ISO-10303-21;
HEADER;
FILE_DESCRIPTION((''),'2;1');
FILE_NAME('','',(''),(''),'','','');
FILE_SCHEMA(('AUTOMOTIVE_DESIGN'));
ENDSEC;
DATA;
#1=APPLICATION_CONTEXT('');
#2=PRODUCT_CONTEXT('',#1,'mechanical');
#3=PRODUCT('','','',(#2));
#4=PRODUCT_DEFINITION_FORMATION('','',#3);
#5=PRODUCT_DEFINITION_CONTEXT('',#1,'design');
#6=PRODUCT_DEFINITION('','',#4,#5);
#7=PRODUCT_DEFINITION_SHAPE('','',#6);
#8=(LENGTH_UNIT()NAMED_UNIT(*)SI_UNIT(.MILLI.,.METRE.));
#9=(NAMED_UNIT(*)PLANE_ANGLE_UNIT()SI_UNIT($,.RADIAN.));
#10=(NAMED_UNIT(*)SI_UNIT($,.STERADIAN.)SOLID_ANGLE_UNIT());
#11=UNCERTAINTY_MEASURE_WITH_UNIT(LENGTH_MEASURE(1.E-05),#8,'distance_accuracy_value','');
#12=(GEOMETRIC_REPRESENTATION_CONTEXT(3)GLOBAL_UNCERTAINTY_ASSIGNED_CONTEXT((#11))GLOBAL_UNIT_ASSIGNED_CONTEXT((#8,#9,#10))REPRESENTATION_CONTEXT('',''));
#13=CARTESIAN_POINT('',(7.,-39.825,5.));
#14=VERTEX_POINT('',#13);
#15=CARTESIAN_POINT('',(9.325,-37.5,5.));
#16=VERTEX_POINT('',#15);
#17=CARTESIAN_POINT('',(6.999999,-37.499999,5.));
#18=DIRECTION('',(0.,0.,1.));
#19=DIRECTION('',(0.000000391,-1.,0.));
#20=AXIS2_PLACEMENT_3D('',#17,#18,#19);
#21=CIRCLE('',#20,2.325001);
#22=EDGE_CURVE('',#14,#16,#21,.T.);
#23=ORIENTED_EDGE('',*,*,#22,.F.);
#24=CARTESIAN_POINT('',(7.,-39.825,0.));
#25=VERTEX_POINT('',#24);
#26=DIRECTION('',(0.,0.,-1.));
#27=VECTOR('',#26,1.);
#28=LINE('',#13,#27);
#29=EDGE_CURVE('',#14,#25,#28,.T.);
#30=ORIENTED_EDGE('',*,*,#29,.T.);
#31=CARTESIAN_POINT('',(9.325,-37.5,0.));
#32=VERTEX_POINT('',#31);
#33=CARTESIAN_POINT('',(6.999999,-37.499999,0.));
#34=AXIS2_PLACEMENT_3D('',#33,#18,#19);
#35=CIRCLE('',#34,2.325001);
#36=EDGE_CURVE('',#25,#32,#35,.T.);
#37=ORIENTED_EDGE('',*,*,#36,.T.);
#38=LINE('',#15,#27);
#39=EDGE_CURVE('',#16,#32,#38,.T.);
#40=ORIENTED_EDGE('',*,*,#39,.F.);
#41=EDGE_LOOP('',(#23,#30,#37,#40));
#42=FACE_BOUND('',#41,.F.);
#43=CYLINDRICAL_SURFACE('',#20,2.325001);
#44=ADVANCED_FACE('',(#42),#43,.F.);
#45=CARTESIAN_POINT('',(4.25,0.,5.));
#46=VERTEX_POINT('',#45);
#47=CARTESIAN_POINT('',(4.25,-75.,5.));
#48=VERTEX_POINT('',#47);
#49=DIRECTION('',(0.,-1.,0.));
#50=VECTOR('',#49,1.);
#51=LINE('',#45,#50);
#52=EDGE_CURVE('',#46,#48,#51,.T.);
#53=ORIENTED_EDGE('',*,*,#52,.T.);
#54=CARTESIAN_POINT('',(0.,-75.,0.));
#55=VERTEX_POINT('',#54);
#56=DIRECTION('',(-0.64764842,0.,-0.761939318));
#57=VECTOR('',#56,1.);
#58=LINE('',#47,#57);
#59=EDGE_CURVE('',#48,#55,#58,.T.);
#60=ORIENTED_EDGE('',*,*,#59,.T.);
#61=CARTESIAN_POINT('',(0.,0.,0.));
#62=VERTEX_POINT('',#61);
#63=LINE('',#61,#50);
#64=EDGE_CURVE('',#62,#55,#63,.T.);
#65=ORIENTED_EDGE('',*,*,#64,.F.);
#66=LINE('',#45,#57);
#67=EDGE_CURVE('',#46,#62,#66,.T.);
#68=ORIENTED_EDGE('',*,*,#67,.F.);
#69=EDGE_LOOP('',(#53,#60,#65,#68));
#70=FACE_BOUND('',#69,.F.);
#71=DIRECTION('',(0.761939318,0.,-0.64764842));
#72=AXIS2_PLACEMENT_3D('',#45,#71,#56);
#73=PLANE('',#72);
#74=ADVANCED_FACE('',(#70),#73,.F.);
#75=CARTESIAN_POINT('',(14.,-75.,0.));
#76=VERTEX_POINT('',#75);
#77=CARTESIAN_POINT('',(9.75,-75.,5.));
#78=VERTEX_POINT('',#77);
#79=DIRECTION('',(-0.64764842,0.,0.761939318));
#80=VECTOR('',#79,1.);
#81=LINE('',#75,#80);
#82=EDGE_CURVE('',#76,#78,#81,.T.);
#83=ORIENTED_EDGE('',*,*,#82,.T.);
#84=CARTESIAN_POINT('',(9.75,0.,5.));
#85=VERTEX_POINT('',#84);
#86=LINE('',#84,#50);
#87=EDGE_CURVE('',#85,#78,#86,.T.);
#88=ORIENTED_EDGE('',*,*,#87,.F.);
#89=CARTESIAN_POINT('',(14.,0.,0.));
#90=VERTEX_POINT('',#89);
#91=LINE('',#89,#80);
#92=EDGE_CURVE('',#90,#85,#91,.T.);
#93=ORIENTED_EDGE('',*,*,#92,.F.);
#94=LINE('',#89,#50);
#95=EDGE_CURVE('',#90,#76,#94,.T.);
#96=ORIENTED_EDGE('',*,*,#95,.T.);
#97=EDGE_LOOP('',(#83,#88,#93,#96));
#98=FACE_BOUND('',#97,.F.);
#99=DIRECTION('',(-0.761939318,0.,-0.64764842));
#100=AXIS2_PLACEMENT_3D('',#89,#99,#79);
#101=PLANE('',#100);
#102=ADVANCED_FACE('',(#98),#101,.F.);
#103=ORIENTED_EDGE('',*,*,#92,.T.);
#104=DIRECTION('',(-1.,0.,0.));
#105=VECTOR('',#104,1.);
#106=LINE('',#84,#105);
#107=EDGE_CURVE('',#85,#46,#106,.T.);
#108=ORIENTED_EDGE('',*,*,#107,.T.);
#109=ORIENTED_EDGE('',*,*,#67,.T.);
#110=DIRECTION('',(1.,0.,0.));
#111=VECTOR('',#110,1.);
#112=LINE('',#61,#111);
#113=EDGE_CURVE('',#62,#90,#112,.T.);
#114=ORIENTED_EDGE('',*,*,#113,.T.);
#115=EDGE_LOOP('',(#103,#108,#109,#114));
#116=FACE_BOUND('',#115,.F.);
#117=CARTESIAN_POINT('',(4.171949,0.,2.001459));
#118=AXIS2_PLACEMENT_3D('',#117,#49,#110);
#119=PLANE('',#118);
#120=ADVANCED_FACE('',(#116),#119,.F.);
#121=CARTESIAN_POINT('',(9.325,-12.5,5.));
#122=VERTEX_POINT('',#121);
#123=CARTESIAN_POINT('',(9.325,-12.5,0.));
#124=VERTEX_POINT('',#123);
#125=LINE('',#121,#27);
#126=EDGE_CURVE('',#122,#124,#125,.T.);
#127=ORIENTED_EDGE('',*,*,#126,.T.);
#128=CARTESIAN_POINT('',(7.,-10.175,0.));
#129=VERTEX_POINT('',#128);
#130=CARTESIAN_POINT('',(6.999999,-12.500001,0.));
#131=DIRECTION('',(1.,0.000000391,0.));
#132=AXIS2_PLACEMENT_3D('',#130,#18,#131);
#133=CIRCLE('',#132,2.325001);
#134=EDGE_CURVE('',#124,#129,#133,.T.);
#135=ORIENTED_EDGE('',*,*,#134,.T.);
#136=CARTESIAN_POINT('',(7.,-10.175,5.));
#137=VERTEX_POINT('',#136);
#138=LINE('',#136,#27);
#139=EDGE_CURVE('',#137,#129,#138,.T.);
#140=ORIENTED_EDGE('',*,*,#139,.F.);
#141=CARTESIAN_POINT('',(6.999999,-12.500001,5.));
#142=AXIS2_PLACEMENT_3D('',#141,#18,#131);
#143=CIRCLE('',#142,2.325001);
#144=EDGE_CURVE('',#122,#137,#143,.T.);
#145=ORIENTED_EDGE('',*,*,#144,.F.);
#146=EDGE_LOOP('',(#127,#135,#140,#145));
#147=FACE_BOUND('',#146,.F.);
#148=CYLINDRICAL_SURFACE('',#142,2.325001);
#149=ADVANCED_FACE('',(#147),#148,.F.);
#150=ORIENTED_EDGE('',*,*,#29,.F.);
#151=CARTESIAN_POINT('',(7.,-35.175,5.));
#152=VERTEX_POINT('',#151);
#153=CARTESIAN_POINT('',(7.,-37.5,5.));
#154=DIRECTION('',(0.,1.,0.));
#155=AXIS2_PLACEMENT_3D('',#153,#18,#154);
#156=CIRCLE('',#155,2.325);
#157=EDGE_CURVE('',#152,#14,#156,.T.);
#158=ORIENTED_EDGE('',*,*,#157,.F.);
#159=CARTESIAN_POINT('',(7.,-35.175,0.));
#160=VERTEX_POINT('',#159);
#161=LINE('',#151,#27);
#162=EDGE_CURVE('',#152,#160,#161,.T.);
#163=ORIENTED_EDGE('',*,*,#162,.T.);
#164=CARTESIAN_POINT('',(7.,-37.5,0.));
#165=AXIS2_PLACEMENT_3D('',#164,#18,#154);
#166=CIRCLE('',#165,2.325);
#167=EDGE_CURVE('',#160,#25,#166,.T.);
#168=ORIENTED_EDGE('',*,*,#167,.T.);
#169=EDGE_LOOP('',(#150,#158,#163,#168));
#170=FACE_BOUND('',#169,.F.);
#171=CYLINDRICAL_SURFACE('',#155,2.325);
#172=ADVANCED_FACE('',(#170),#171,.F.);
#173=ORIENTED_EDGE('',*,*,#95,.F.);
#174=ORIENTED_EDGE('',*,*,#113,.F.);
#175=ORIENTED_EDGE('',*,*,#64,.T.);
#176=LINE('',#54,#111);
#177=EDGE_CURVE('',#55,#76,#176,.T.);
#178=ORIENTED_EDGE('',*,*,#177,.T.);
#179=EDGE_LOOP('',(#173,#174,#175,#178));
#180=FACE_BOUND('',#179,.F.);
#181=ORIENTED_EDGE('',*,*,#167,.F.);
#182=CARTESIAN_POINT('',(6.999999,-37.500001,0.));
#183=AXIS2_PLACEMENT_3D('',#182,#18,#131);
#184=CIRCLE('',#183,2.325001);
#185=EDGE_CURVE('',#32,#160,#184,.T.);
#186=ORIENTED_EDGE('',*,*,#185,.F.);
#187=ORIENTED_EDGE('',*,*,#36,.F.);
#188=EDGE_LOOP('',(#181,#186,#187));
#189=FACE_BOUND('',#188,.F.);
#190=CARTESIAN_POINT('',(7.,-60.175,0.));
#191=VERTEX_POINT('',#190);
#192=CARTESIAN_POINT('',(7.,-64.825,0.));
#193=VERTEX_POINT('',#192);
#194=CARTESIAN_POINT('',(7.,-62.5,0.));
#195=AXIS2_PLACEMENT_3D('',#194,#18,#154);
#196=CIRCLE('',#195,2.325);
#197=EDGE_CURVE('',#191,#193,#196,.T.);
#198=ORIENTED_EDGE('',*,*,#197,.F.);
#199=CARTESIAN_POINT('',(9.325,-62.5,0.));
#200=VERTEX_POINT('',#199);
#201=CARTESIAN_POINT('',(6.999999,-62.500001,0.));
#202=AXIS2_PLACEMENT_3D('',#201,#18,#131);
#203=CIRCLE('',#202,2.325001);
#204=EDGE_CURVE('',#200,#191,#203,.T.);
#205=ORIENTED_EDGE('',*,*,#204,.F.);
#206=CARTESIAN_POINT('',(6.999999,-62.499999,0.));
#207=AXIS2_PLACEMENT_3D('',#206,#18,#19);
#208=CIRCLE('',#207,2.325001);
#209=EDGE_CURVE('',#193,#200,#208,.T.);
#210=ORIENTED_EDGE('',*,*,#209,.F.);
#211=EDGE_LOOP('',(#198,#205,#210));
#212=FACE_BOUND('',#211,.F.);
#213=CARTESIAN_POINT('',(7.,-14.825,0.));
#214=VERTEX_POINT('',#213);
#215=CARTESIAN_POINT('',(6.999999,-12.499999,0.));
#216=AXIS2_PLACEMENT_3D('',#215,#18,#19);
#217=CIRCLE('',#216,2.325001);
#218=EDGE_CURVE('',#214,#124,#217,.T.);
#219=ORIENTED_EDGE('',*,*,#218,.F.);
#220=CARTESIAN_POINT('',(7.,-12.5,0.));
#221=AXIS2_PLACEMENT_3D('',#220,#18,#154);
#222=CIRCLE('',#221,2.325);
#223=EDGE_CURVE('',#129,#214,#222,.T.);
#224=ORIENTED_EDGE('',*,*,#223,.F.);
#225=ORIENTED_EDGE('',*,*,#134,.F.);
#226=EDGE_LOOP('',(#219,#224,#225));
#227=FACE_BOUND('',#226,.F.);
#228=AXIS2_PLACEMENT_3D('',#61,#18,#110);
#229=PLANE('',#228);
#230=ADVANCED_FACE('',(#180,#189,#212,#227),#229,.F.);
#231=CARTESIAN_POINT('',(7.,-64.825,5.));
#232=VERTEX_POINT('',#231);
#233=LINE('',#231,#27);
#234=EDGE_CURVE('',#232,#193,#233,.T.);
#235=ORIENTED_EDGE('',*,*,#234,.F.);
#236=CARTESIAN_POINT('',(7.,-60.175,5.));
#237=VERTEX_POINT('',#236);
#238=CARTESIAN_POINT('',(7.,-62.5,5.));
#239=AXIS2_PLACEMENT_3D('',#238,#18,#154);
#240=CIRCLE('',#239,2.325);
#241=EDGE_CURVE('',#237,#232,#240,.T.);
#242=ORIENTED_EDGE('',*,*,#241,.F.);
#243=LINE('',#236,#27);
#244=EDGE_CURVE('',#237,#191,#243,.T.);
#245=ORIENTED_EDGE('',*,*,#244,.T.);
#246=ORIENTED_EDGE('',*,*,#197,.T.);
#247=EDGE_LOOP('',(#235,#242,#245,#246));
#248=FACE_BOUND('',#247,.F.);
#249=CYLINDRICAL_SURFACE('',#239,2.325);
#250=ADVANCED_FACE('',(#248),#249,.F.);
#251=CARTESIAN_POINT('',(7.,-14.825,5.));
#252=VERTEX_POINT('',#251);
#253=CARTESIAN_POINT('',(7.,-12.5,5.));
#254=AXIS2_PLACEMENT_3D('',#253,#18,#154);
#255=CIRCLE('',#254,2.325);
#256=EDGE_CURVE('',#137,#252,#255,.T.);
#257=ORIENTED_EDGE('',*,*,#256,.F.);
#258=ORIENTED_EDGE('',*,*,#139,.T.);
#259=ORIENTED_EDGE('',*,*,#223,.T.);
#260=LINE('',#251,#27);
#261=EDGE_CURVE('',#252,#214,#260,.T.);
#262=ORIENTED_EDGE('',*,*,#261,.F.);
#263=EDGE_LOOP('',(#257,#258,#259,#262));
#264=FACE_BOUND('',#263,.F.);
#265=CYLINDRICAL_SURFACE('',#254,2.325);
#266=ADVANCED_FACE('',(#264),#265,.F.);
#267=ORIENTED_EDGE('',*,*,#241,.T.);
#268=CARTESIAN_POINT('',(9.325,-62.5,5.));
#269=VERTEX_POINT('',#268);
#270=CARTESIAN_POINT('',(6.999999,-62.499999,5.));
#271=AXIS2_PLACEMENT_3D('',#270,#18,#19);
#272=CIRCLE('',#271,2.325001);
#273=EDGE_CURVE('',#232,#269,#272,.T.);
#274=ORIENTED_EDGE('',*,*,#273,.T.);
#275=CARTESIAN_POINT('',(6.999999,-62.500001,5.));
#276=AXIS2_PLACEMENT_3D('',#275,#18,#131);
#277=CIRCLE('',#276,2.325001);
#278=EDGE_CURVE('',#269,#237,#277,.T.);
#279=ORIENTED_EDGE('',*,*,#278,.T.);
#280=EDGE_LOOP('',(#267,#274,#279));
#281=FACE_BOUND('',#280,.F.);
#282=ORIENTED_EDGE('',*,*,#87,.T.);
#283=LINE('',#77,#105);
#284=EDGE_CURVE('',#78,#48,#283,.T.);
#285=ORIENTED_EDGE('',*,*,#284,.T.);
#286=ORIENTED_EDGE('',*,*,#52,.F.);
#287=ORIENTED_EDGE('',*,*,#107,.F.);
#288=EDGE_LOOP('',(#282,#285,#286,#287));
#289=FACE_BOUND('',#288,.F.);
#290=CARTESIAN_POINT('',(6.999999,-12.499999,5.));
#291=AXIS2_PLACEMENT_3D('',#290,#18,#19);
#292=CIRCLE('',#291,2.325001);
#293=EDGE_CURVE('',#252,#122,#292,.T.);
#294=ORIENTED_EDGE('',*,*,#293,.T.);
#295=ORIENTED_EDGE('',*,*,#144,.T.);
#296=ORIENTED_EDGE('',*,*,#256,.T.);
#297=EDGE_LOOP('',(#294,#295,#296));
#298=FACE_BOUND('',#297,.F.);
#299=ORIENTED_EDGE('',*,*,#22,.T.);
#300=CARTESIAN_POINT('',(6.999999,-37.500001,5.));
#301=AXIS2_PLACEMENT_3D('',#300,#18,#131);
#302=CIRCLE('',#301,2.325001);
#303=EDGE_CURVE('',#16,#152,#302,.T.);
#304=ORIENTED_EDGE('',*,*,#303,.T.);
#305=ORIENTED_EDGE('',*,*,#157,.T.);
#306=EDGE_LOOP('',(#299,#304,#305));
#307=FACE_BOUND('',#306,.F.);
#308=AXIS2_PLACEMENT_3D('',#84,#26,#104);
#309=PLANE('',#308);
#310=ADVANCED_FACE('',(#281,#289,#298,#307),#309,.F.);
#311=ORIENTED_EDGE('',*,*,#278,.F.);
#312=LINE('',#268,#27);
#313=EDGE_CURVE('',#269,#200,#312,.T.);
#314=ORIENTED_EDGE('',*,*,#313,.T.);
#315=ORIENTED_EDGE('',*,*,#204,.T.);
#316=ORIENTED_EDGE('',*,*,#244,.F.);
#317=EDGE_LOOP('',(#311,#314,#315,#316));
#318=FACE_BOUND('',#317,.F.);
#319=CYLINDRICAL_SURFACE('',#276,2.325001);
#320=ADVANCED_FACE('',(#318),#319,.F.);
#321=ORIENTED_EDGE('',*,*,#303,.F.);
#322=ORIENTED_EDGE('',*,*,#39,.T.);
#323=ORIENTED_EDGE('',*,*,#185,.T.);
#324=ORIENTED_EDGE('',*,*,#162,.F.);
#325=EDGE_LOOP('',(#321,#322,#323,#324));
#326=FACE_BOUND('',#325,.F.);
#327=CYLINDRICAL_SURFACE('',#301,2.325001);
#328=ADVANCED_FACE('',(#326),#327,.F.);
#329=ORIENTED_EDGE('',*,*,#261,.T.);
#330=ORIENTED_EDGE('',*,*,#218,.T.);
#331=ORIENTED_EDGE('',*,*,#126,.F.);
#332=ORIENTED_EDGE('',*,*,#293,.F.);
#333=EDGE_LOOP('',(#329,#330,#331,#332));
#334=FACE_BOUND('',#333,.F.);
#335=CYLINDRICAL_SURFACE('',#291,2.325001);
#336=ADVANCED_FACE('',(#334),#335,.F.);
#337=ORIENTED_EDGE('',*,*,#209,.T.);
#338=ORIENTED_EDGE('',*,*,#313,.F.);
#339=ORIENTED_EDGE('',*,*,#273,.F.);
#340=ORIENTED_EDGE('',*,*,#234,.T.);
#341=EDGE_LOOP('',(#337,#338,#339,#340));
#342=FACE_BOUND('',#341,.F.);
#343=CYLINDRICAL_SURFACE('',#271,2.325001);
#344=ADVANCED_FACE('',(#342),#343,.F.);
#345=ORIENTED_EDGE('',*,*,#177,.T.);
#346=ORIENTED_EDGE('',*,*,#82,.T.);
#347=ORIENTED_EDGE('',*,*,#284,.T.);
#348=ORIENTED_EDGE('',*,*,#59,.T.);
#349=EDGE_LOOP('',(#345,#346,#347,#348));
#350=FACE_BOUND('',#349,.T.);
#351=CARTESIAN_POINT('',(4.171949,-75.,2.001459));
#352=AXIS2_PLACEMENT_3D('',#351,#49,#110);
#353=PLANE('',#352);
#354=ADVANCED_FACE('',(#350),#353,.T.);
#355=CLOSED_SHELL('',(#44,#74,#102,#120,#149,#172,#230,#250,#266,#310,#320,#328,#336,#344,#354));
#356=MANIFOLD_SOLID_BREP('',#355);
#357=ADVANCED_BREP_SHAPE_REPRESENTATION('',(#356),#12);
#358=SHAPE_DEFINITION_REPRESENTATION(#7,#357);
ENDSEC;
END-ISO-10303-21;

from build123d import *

# Parameters (mm, degrees)
F1_DEPTH = 75
F3_DEPTH = 5


with BuildPart() as f1:
    # F0 (on Front) → F1 (new body)
    with BuildSketch(Plane.XZ):
        Polygon((4.25, 5), (0, 0), (7, 0), (7, 5), align=None)
        Polygon((7, 5), (7, 0), (14, 0), (9.75, 5), align=None)
    extrude(amount=F1_DEPTH)

    # F2 (on face) → F3 (cut, through all)
    with BuildSketch(Plane.XY.offset(5)):
        with BuildLine():
            ThreePointArc((7, -14.825), (8.644023, -14.144023), (9.325, -12.5))
            ThreePointArc((9.325, -12.5), (8.644023, -10.855977), (7, -10.175))
            Line((7, -10.175), (7, -14.825))
        make_face()
        with BuildLine():
            ThreePointArc((9.325, -62.5), (8.644023, -60.855977), (7, -60.175))
            Line((7, -60.175), (7, -64.825))
            ThreePointArc((7, -64.825), (8.644023, -64.144023), (9.325, -62.5))
        make_face()
        with BuildLine():
            Line((7, -64.825), (7, -60.175))
            ThreePointArc((7, -60.175), (4.675, -62.5), (7, -64.825))
        make_face()
        with BuildLine():
            ThreePointArc((9.325, -37.5), (8.644023, -35.855977), (7, -35.175))
            Line((7, -35.175), (7, -39.825))
            ThreePointArc((7, -39.825), (8.644023, -39.144023), (9.325, -37.5))
        make_face()
        with BuildLine():
            Line((7, -39.825), (7, -35.175))
            ThreePointArc((7, -35.175), (4.675, -37.5), (7, -39.825))
        make_face()
        with BuildLine():
            Line((7, -14.825), (7, -10.175))
            ThreePointArc((7, -10.175), (4.675, -12.5), (7, -14.825))
        make_face()
    extrude(amount=-F3_DEPTH, mode=Mode.SUBTRACT)


solid = f1.part
